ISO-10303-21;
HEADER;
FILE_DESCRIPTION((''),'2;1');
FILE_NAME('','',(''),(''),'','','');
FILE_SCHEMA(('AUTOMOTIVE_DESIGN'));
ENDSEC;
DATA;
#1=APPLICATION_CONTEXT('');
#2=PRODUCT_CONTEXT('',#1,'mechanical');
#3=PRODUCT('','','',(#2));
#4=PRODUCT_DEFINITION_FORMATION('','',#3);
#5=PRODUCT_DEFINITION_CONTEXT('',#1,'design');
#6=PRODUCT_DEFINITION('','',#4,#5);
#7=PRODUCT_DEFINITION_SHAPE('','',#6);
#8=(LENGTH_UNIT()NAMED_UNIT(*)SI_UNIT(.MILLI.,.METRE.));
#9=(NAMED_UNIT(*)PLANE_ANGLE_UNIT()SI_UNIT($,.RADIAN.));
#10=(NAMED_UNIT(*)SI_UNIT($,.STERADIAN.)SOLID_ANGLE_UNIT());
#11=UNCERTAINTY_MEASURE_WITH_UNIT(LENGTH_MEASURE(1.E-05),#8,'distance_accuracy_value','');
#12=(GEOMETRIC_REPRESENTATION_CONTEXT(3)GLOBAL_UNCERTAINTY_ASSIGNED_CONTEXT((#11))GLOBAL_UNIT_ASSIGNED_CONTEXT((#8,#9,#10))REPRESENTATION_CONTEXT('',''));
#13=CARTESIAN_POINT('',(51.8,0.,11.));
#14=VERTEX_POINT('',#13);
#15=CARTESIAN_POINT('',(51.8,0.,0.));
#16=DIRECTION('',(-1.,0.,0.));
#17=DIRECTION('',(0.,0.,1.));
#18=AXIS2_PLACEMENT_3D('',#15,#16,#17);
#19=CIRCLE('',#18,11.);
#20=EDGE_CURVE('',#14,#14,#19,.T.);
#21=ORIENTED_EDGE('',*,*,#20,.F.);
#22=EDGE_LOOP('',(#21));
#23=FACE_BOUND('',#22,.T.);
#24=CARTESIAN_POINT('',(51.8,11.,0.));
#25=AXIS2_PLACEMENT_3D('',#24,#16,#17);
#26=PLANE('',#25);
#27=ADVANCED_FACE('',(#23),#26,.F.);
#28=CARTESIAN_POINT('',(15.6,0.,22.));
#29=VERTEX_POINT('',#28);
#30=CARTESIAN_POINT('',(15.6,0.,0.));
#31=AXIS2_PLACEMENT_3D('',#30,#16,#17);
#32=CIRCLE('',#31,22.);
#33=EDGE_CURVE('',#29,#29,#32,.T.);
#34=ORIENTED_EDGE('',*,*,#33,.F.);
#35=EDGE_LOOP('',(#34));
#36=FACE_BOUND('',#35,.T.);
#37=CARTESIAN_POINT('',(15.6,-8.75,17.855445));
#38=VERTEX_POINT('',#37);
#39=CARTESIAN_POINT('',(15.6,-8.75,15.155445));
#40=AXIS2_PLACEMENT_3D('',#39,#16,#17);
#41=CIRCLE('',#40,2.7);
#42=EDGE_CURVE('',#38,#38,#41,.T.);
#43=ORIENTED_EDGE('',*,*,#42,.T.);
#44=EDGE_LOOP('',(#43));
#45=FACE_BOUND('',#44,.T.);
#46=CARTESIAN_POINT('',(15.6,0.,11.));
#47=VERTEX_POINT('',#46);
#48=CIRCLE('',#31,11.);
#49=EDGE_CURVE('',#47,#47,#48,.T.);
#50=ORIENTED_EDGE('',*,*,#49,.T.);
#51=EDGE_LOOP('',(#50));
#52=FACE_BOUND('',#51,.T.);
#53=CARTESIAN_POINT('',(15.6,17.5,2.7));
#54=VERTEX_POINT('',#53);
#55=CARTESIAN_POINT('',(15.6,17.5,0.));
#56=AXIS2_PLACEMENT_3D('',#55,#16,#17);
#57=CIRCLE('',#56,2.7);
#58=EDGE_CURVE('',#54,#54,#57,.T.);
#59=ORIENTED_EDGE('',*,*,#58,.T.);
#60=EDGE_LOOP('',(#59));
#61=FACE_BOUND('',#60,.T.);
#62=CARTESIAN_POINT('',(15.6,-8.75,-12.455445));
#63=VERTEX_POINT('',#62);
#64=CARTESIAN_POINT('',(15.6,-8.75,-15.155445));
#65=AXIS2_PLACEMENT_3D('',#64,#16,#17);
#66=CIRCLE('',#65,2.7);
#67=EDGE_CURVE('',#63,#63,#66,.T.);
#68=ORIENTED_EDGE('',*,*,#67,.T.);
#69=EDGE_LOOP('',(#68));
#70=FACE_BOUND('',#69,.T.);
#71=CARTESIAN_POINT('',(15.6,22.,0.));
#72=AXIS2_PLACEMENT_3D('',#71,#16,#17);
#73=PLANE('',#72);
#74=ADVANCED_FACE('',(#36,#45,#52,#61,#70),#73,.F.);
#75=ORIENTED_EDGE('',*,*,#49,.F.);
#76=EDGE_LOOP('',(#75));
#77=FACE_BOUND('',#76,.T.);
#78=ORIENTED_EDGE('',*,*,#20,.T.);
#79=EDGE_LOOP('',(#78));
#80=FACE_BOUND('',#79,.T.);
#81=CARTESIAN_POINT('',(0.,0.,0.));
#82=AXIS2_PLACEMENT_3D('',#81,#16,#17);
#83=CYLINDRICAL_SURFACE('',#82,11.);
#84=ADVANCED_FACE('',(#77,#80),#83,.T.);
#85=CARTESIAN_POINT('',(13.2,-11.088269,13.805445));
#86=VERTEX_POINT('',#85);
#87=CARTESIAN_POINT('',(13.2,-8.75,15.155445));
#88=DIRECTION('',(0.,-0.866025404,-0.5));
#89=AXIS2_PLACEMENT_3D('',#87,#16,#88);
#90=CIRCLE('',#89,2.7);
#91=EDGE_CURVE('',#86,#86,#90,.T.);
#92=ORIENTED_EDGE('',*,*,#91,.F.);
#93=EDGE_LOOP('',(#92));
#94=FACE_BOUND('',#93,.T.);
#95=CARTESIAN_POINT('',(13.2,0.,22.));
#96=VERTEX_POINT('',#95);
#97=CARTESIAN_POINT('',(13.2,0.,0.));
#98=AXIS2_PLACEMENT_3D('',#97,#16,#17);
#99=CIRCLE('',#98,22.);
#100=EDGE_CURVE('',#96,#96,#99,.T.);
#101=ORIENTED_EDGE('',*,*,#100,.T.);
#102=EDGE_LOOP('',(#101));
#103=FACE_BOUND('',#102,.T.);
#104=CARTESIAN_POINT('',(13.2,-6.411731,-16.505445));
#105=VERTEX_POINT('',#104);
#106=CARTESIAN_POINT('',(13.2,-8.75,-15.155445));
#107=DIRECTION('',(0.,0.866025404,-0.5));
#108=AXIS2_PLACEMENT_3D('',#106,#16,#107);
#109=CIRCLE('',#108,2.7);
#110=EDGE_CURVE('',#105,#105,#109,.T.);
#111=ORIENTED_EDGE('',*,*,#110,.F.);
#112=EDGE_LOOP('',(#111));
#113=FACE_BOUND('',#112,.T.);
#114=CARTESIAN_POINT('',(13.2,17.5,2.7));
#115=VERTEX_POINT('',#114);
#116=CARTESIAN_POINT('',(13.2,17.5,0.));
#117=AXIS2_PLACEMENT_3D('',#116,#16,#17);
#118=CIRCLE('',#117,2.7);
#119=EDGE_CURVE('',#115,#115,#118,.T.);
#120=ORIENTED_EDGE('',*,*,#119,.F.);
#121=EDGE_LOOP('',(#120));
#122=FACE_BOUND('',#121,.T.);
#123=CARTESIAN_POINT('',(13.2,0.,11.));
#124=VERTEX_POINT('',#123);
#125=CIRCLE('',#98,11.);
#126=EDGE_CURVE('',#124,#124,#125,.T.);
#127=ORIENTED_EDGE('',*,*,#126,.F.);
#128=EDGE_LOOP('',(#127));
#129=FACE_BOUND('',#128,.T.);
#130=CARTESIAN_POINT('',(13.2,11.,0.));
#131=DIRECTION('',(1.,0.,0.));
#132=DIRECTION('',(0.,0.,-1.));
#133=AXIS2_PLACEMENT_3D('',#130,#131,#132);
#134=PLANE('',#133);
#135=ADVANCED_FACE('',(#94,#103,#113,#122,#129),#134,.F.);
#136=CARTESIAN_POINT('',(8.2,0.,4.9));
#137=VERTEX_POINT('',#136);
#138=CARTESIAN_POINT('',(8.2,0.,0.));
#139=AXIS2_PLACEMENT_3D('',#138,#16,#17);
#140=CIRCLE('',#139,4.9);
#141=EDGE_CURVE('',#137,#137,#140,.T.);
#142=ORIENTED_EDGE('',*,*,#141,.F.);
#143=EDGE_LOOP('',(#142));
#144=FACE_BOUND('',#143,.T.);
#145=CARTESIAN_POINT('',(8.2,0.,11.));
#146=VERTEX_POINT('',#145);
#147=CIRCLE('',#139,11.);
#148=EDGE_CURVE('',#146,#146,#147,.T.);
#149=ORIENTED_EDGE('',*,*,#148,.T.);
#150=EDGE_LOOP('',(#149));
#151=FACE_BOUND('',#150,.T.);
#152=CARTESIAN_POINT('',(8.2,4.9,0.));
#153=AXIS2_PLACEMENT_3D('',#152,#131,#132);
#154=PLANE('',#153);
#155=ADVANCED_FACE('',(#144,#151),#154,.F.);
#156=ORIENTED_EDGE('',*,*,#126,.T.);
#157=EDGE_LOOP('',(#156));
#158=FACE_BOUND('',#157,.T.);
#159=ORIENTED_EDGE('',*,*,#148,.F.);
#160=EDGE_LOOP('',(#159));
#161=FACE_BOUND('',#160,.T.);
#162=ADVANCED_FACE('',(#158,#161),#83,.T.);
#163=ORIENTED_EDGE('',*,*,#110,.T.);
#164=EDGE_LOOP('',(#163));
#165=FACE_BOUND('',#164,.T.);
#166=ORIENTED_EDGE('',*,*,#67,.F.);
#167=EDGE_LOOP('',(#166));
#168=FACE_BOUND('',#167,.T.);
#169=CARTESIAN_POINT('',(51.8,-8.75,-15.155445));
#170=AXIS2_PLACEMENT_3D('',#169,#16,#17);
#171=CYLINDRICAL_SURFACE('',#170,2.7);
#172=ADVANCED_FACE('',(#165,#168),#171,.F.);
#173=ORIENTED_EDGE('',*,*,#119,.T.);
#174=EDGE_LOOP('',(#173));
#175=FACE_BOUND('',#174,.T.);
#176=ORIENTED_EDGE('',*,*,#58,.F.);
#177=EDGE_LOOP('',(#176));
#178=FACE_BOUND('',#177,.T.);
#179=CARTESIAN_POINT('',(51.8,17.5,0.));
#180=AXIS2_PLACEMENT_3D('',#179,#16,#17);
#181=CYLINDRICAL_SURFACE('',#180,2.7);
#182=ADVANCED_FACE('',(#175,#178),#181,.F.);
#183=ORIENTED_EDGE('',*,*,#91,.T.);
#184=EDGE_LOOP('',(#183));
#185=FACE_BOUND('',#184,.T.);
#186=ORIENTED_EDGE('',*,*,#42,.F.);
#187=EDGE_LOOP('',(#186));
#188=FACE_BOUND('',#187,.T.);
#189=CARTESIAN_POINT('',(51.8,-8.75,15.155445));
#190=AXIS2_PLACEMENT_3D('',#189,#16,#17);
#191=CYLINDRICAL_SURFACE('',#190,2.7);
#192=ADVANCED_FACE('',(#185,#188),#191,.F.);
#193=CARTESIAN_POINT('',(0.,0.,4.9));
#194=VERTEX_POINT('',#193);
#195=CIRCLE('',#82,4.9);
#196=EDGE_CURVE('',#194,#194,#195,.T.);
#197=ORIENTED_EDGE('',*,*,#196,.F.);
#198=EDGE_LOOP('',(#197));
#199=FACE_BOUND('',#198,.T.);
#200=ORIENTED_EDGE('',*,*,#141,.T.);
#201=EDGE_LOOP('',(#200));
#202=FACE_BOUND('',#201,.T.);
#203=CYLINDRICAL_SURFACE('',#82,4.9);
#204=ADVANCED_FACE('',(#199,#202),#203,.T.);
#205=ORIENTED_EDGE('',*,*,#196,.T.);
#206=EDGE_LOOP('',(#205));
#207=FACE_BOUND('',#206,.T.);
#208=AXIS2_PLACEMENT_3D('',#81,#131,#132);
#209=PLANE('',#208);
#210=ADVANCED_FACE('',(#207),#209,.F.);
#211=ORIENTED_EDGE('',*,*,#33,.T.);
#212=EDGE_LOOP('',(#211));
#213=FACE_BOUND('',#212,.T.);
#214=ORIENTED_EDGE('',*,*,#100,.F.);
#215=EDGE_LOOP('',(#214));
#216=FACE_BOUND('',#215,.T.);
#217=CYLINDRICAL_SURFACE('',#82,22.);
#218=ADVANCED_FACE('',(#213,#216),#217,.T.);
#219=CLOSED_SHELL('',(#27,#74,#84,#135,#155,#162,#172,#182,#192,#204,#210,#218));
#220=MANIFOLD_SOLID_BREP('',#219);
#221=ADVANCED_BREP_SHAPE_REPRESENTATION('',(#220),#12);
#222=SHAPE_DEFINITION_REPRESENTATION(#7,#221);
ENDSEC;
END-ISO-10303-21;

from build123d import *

# Parameters (mm, degrees)
SKETCH_2_R               = 2.7
CUT_EXTRUDE_1_DEPTH      = 50.57781762
PATTERN_CIRCULAR_1_COUNT = 3


with BuildPart() as part:
    # 草图1 → 旋转1 (revolve)
    with BuildSketch(Plane.XY, mode=Mode.PRIVATE) as revolve_1_sk:
        Polygon((0, 0), (0, 4.9), (8.2, 4.9), (8.2, 11), (13.2, 11), (13.2, 22), (15.6, 22), (15.6, 11), (51.8, 11), (51.8, 0), align=None)
    revolve(revolve_1_sk.sketch.rotate(Axis((0, 0, 0), (1, 0, 0)), 90), axis=Axis((0, 0, 0), (1, 0, 0)))

    # 草图2 → 切除-拉伸1 (cut, symmetric)
    with BuildSketch(Plane.ZY.offset(-13.2)):
        with Locations((0, 17.5)):
            Circle(SKETCH_2_R)
    cut_extrude_1 = extrude(amount=CUT_EXTRUDE_1_DEPTH, both=True, mode=Mode.SUBTRACT)

    # 阵列(圆周)1: 切除-拉伸1 ×3 about axis
    pattern_circular_1_axis = Axis((0, 0, 0), (1, 0, 0))
    for i in range(1, PATTERN_CIRCULAR_1_COUNT):
        add(cut_extrude_1.rotate(pattern_circular_1_axis, i * 360 / PATTERN_CIRCULAR_1_COUNT), mode=Mode.SUBTRACT)


solid = part.part
